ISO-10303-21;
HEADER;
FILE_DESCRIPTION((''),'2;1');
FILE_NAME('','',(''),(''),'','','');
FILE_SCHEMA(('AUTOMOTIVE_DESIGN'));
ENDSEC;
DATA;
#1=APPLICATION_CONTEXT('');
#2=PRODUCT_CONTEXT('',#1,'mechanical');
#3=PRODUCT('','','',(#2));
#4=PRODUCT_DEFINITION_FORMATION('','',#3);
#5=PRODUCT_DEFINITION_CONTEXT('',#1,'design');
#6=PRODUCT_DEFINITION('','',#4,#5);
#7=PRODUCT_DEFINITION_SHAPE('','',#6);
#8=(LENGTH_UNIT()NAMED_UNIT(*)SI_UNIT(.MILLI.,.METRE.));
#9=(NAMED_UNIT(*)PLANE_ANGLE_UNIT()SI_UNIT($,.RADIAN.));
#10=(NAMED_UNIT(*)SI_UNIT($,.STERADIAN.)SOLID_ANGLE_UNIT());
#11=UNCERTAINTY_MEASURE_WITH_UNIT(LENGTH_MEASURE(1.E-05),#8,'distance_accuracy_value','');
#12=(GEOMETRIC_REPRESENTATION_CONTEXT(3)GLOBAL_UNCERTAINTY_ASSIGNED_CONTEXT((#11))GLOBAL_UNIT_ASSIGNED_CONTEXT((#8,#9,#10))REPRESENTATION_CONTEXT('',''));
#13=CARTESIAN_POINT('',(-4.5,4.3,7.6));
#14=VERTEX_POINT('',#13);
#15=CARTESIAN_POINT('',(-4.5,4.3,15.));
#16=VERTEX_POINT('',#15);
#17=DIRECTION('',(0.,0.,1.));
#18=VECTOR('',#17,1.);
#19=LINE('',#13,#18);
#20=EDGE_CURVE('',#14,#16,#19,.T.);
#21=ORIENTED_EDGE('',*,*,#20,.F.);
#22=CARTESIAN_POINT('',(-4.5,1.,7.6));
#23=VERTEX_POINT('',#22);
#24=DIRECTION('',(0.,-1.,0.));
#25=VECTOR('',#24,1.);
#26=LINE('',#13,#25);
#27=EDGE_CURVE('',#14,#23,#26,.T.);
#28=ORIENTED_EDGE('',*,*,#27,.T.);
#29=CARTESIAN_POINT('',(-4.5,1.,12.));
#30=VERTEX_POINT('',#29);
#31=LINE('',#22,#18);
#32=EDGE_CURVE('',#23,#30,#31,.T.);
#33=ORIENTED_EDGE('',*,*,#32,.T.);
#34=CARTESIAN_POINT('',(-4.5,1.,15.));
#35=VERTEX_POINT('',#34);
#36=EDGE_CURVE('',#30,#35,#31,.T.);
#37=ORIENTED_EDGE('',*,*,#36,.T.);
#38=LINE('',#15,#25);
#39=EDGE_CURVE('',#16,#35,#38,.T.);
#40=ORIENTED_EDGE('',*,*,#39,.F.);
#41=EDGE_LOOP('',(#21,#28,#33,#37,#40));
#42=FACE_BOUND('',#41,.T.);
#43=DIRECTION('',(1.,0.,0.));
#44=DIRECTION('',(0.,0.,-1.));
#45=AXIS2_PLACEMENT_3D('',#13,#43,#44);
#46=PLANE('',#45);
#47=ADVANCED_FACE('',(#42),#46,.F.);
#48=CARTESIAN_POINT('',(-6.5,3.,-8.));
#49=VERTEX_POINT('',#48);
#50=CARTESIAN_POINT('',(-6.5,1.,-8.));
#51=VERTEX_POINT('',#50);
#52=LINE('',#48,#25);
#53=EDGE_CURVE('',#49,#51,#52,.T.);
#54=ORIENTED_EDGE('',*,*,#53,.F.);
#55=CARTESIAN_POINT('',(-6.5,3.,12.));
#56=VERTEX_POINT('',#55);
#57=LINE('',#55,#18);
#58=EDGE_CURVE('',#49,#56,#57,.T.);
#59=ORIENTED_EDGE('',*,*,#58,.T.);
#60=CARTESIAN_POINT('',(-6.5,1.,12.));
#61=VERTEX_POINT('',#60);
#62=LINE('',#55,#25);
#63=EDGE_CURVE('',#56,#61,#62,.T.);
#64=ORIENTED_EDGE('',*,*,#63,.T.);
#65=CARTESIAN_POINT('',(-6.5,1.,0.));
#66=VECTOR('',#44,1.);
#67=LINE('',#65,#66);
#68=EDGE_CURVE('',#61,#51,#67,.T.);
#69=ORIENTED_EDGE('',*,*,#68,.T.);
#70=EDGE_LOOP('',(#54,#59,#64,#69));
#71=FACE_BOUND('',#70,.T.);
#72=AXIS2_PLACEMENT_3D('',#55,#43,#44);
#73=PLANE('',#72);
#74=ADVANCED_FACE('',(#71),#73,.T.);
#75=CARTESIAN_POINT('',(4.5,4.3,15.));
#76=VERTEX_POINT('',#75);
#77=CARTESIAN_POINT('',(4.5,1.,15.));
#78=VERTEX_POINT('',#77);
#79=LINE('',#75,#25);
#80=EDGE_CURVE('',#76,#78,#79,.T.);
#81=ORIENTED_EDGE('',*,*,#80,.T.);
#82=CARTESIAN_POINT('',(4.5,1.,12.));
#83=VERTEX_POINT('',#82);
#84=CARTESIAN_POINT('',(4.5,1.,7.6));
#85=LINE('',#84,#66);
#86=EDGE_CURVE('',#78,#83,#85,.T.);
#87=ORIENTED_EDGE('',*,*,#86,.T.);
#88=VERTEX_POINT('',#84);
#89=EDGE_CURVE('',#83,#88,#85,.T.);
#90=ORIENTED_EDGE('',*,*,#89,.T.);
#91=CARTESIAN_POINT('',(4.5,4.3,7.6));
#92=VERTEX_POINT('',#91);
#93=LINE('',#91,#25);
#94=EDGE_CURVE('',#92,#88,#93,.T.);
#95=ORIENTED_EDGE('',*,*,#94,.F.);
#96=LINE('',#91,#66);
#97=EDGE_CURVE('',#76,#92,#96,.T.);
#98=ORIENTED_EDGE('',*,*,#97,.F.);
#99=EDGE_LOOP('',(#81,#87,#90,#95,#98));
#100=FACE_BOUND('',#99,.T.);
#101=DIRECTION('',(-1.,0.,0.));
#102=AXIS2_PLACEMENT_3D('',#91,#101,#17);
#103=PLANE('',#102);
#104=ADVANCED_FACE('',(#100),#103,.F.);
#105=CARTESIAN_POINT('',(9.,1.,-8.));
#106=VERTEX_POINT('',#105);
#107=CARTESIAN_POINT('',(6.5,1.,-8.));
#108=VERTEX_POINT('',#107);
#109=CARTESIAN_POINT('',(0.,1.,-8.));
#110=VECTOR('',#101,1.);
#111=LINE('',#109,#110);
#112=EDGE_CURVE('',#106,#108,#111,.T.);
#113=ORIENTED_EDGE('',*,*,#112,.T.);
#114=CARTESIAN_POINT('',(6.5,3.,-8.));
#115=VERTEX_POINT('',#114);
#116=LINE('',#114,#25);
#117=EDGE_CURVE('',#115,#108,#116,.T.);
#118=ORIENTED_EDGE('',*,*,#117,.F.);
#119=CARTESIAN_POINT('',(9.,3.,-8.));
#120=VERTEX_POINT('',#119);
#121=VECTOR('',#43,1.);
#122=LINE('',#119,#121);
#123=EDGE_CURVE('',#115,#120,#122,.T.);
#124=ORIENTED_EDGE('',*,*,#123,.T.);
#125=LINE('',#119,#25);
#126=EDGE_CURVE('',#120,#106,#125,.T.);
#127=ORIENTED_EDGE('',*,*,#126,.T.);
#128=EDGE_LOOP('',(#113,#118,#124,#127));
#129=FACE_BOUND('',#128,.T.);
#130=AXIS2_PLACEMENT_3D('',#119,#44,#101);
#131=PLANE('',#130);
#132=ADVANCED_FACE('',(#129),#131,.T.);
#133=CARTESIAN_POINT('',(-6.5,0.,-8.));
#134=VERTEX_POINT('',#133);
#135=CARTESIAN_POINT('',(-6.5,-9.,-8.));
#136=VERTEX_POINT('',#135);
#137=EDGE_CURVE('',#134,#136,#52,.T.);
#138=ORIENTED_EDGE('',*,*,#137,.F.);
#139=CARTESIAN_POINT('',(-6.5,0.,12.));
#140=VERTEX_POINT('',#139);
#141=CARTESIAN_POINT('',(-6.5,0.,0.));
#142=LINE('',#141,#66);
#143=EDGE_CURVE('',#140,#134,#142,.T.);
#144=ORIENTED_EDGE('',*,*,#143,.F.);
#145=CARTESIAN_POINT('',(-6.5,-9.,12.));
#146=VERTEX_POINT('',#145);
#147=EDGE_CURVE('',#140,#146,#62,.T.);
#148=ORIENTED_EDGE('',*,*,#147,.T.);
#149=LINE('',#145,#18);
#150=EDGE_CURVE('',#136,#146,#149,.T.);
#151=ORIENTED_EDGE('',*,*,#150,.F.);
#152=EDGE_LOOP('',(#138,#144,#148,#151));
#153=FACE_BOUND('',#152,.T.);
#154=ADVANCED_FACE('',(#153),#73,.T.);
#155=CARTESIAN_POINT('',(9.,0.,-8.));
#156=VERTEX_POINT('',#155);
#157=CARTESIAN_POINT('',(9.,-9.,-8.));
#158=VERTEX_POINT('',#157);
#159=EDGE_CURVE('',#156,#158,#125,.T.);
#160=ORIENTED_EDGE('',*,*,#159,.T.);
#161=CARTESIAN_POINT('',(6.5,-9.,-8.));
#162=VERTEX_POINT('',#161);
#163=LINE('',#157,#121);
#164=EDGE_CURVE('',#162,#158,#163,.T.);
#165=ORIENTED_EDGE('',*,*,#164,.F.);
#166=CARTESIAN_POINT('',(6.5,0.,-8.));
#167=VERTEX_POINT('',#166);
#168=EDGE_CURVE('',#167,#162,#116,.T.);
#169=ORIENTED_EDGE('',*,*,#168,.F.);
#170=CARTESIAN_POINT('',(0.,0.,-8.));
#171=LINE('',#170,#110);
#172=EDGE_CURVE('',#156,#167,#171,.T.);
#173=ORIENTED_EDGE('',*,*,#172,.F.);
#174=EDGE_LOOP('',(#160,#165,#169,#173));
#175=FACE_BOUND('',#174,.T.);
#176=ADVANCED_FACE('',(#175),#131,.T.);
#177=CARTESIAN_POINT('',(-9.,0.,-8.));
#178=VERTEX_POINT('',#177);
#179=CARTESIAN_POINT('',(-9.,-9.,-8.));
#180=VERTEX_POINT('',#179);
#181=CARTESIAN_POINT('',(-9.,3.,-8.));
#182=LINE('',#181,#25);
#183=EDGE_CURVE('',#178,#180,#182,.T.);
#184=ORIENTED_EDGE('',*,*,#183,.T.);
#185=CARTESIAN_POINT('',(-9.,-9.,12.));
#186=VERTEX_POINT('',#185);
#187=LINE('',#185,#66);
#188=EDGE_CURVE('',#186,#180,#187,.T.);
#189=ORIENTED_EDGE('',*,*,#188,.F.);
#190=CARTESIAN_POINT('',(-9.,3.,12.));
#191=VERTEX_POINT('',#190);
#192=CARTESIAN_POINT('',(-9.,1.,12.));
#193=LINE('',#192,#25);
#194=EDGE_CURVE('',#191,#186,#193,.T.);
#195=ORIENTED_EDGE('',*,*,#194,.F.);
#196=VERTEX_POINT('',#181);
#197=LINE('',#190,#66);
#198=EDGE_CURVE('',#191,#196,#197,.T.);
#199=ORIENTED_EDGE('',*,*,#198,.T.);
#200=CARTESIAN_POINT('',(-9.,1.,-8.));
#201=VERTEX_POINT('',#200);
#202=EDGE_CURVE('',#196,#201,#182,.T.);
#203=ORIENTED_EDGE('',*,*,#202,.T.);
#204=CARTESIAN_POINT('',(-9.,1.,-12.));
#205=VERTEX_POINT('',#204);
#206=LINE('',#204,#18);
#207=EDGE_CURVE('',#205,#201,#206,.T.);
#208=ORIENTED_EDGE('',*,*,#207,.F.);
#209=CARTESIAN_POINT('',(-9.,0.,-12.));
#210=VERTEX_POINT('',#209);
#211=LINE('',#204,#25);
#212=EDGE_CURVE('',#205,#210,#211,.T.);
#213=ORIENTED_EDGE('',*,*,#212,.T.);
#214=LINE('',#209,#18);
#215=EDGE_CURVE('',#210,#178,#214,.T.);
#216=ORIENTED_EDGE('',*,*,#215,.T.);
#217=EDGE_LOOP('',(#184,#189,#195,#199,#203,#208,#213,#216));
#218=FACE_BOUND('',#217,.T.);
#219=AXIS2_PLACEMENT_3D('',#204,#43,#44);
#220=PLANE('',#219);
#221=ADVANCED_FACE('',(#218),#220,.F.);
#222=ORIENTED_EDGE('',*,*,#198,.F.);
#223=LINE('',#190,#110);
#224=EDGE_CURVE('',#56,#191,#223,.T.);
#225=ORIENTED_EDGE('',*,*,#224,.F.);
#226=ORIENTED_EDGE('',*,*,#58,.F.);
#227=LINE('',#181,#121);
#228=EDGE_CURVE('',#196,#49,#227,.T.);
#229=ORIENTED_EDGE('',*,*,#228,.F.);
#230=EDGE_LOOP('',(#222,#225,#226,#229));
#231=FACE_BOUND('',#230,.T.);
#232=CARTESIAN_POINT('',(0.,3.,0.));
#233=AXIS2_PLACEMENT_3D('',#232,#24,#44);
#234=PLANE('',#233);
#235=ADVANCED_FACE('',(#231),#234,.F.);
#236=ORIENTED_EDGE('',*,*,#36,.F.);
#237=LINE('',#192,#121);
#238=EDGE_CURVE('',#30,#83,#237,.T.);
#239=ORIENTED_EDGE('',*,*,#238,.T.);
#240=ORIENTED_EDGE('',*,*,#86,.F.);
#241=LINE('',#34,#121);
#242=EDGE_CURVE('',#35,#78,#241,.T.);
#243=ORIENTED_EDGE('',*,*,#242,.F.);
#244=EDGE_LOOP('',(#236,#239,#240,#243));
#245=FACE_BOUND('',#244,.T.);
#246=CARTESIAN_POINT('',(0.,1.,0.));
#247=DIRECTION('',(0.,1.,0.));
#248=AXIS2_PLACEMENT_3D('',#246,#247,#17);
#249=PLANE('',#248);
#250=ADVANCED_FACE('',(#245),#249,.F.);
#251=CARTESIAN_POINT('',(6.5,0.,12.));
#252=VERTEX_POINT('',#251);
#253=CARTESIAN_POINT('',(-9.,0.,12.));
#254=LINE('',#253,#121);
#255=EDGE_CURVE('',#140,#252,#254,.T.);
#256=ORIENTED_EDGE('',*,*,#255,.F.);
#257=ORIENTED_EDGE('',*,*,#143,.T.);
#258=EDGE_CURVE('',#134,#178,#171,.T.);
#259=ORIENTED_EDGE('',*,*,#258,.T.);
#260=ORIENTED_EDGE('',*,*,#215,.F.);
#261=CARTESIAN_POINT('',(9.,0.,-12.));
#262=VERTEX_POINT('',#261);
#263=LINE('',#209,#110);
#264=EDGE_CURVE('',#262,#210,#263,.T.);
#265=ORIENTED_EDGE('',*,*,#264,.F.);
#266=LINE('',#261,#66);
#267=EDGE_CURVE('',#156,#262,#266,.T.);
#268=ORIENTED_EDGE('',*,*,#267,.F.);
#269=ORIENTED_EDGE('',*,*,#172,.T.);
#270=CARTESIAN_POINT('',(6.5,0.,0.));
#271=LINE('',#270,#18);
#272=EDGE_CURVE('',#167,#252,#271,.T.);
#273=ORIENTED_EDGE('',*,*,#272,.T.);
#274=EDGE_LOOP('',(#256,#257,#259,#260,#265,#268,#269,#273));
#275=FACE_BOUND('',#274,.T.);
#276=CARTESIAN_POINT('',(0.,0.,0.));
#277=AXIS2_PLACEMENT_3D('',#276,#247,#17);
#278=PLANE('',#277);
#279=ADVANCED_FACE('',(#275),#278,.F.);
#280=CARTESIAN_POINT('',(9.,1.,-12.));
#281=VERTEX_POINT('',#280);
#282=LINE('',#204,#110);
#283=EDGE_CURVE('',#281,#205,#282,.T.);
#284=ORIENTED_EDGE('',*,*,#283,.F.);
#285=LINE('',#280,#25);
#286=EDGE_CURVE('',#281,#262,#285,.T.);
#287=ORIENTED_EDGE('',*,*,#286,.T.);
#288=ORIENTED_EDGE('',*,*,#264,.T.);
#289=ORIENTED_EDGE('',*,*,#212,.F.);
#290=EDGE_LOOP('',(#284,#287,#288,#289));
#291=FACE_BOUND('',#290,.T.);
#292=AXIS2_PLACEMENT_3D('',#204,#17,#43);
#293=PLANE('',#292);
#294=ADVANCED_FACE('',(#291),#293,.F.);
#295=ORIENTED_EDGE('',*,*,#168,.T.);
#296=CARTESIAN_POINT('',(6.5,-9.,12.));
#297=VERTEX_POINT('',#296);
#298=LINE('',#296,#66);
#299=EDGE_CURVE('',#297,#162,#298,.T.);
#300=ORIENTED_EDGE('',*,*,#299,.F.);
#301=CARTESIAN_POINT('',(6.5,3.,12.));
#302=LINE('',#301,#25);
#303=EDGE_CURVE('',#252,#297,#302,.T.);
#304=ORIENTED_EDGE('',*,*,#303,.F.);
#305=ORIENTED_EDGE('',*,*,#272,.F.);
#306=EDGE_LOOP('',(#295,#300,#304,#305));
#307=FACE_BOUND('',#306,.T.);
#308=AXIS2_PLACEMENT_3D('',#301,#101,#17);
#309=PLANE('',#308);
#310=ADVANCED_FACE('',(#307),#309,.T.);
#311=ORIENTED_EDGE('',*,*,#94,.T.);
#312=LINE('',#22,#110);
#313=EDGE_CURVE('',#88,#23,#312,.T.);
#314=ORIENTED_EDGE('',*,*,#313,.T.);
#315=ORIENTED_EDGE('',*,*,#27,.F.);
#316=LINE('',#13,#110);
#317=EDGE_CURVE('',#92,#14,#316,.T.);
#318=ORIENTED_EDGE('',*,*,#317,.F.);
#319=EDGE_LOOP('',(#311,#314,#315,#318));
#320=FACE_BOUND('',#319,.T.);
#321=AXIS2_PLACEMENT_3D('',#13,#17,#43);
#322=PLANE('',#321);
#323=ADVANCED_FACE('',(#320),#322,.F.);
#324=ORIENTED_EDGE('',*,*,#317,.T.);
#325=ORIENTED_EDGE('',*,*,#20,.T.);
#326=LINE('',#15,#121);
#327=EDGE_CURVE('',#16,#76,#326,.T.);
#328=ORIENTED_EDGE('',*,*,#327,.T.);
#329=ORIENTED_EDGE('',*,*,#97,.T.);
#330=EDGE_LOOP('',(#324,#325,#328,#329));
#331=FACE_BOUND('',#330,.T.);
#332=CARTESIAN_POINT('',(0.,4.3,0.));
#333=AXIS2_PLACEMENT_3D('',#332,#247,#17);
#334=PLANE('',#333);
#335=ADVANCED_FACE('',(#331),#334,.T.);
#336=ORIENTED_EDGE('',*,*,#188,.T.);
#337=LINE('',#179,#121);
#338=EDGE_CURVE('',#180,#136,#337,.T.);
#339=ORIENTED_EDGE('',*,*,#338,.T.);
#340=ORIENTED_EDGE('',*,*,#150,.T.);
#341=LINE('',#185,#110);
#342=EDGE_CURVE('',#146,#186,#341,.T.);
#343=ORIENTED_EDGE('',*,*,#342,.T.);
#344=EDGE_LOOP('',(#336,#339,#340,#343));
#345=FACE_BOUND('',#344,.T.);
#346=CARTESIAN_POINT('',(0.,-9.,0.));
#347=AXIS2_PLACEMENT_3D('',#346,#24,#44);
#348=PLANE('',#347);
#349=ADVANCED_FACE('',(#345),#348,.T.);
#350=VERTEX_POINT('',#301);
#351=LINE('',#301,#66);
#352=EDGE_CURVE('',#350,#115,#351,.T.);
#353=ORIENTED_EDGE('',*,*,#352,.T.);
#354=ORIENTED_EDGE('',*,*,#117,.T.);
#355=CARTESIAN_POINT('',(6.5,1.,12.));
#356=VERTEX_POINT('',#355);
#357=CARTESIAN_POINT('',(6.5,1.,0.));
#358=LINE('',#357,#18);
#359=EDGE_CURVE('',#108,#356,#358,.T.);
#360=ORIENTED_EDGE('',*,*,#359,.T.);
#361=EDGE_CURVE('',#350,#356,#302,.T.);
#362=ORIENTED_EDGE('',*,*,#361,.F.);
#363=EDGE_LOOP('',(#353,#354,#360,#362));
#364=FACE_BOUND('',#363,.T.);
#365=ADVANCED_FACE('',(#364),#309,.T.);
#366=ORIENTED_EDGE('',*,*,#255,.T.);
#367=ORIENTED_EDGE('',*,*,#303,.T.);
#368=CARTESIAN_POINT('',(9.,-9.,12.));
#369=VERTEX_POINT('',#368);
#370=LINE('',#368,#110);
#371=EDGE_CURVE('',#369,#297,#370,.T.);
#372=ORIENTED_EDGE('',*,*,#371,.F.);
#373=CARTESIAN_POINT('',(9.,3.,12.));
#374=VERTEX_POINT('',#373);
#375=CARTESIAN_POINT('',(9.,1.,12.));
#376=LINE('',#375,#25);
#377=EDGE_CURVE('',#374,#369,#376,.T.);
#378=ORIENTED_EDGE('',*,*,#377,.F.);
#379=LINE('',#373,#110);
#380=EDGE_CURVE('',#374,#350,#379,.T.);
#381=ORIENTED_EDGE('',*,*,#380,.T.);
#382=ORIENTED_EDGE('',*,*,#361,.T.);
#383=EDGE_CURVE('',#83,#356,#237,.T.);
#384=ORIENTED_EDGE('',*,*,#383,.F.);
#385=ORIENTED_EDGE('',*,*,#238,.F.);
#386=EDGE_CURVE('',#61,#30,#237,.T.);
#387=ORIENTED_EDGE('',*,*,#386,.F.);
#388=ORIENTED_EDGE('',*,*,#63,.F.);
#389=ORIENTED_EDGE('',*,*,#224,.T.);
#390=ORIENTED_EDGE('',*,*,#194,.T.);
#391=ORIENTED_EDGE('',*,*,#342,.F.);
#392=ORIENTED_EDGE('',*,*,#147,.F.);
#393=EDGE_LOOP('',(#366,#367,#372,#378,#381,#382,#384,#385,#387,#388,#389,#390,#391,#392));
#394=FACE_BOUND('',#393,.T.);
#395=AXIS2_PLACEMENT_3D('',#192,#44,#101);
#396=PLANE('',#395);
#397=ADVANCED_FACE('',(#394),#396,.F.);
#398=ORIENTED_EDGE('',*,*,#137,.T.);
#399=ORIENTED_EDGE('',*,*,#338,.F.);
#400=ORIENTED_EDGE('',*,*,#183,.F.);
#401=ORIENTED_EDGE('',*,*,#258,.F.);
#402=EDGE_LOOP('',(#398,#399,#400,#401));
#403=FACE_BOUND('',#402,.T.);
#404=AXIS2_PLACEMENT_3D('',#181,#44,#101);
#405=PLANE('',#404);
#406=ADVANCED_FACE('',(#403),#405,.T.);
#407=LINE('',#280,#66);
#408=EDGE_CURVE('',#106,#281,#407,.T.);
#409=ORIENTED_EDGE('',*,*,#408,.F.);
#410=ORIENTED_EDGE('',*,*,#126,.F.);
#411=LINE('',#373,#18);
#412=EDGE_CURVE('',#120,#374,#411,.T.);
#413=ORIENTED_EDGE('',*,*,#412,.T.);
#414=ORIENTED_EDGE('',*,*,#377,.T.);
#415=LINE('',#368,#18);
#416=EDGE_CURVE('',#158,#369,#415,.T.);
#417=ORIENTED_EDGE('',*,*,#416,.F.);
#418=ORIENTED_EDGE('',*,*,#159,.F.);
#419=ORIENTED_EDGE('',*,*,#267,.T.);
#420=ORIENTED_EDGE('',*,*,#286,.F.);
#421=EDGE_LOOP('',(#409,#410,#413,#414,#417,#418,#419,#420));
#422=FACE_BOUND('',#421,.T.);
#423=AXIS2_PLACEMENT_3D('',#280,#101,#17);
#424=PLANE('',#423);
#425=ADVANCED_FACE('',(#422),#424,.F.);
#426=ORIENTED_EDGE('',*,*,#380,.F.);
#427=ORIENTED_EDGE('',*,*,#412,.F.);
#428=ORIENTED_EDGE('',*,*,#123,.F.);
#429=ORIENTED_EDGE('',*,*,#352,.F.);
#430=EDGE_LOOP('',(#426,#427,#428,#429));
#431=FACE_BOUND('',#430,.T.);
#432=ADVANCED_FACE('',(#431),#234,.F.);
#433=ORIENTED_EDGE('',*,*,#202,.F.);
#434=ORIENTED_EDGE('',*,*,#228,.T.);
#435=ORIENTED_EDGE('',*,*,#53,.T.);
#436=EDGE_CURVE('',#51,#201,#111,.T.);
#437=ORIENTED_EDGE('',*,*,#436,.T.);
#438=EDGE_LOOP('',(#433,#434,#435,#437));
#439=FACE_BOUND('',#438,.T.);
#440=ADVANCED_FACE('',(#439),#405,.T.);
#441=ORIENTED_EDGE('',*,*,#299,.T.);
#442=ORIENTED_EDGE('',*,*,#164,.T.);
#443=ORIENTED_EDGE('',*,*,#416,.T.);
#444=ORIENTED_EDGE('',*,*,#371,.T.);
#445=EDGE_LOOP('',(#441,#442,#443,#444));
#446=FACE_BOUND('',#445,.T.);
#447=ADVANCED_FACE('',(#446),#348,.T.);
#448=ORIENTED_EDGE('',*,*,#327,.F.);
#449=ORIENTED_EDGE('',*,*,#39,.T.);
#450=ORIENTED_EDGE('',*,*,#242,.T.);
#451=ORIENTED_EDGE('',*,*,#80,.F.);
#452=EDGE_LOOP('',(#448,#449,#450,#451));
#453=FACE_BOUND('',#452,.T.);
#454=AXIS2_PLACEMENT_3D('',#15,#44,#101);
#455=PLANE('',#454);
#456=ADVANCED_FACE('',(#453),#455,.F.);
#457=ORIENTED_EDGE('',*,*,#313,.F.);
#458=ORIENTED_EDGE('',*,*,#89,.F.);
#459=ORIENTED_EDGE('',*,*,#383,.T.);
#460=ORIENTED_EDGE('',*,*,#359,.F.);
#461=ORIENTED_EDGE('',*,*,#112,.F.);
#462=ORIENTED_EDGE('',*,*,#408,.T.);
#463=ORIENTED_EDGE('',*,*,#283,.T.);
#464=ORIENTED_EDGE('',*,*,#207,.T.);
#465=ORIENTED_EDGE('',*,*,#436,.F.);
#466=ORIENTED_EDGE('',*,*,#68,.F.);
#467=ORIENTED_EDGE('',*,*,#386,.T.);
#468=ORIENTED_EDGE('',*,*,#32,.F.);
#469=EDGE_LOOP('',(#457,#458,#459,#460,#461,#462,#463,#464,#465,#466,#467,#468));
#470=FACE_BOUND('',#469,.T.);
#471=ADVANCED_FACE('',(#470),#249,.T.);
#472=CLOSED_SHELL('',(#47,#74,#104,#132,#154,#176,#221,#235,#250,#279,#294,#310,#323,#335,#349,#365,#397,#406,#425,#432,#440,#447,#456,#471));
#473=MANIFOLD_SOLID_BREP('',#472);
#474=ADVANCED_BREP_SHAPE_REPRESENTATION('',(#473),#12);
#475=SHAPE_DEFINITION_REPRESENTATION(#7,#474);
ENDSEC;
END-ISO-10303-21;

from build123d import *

# Parameters (mm, degrees)
SKETCH_1_W           = 18
SKETCH_1_H           = 24
EXTRUDE_1_DEPTH      = 1
SKETCH_2_W           = 9
SKETCH_2_H           = 7.4
EXTRUDE_2_DEPTH      = 3.3
EXTRUDE_3_DEPTH      = 9
EXTRUDE_3_DEPTH_BACK = 3
SKETCH_3_W           = 2.5
SKETCH_3_H           = 20


with BuildPart() as part:
    # 草图1 → 凸台-拉伸1 (new body)
    with BuildSketch(Plane(origin=(0, 0, 0), x_dir=(1, 0, 0), z_dir=(0, 1, 0))):
        Rectangle(SKETCH_1_W, SKETCH_1_H)
    extrude(amount=EXTRUDE_1_DEPTH)

    # 草图2 → 凸台-拉伸2 (add)
    with BuildSketch(Plane(origin=(0, 1, 0), x_dir=(1, 0, 0), z_dir=(0, 1, 0))):
        with Locations((0, -11.3)):
            Rectangle(SKETCH_2_W, SKETCH_2_H)
    extrude(amount=EXTRUDE_2_DEPTH)

    # 草图3 → 凸台-拉伸3 (add, two sides: drawn at the far end of the back side and taken through both)
    with BuildSketch(Plane.XZ.offset(-EXTRUDE_3_DEPTH_BACK)):
        with Locations((-7.75, 2)):
            Rectangle(SKETCH_3_W, SKETCH_3_H)
        with Locations((7.75, 2)):
            Rectangle(SKETCH_3_W, SKETCH_3_H)
    extrude(amount=EXTRUDE_3_DEPTH + EXTRUDE_3_DEPTH_BACK)


solid = part.part
